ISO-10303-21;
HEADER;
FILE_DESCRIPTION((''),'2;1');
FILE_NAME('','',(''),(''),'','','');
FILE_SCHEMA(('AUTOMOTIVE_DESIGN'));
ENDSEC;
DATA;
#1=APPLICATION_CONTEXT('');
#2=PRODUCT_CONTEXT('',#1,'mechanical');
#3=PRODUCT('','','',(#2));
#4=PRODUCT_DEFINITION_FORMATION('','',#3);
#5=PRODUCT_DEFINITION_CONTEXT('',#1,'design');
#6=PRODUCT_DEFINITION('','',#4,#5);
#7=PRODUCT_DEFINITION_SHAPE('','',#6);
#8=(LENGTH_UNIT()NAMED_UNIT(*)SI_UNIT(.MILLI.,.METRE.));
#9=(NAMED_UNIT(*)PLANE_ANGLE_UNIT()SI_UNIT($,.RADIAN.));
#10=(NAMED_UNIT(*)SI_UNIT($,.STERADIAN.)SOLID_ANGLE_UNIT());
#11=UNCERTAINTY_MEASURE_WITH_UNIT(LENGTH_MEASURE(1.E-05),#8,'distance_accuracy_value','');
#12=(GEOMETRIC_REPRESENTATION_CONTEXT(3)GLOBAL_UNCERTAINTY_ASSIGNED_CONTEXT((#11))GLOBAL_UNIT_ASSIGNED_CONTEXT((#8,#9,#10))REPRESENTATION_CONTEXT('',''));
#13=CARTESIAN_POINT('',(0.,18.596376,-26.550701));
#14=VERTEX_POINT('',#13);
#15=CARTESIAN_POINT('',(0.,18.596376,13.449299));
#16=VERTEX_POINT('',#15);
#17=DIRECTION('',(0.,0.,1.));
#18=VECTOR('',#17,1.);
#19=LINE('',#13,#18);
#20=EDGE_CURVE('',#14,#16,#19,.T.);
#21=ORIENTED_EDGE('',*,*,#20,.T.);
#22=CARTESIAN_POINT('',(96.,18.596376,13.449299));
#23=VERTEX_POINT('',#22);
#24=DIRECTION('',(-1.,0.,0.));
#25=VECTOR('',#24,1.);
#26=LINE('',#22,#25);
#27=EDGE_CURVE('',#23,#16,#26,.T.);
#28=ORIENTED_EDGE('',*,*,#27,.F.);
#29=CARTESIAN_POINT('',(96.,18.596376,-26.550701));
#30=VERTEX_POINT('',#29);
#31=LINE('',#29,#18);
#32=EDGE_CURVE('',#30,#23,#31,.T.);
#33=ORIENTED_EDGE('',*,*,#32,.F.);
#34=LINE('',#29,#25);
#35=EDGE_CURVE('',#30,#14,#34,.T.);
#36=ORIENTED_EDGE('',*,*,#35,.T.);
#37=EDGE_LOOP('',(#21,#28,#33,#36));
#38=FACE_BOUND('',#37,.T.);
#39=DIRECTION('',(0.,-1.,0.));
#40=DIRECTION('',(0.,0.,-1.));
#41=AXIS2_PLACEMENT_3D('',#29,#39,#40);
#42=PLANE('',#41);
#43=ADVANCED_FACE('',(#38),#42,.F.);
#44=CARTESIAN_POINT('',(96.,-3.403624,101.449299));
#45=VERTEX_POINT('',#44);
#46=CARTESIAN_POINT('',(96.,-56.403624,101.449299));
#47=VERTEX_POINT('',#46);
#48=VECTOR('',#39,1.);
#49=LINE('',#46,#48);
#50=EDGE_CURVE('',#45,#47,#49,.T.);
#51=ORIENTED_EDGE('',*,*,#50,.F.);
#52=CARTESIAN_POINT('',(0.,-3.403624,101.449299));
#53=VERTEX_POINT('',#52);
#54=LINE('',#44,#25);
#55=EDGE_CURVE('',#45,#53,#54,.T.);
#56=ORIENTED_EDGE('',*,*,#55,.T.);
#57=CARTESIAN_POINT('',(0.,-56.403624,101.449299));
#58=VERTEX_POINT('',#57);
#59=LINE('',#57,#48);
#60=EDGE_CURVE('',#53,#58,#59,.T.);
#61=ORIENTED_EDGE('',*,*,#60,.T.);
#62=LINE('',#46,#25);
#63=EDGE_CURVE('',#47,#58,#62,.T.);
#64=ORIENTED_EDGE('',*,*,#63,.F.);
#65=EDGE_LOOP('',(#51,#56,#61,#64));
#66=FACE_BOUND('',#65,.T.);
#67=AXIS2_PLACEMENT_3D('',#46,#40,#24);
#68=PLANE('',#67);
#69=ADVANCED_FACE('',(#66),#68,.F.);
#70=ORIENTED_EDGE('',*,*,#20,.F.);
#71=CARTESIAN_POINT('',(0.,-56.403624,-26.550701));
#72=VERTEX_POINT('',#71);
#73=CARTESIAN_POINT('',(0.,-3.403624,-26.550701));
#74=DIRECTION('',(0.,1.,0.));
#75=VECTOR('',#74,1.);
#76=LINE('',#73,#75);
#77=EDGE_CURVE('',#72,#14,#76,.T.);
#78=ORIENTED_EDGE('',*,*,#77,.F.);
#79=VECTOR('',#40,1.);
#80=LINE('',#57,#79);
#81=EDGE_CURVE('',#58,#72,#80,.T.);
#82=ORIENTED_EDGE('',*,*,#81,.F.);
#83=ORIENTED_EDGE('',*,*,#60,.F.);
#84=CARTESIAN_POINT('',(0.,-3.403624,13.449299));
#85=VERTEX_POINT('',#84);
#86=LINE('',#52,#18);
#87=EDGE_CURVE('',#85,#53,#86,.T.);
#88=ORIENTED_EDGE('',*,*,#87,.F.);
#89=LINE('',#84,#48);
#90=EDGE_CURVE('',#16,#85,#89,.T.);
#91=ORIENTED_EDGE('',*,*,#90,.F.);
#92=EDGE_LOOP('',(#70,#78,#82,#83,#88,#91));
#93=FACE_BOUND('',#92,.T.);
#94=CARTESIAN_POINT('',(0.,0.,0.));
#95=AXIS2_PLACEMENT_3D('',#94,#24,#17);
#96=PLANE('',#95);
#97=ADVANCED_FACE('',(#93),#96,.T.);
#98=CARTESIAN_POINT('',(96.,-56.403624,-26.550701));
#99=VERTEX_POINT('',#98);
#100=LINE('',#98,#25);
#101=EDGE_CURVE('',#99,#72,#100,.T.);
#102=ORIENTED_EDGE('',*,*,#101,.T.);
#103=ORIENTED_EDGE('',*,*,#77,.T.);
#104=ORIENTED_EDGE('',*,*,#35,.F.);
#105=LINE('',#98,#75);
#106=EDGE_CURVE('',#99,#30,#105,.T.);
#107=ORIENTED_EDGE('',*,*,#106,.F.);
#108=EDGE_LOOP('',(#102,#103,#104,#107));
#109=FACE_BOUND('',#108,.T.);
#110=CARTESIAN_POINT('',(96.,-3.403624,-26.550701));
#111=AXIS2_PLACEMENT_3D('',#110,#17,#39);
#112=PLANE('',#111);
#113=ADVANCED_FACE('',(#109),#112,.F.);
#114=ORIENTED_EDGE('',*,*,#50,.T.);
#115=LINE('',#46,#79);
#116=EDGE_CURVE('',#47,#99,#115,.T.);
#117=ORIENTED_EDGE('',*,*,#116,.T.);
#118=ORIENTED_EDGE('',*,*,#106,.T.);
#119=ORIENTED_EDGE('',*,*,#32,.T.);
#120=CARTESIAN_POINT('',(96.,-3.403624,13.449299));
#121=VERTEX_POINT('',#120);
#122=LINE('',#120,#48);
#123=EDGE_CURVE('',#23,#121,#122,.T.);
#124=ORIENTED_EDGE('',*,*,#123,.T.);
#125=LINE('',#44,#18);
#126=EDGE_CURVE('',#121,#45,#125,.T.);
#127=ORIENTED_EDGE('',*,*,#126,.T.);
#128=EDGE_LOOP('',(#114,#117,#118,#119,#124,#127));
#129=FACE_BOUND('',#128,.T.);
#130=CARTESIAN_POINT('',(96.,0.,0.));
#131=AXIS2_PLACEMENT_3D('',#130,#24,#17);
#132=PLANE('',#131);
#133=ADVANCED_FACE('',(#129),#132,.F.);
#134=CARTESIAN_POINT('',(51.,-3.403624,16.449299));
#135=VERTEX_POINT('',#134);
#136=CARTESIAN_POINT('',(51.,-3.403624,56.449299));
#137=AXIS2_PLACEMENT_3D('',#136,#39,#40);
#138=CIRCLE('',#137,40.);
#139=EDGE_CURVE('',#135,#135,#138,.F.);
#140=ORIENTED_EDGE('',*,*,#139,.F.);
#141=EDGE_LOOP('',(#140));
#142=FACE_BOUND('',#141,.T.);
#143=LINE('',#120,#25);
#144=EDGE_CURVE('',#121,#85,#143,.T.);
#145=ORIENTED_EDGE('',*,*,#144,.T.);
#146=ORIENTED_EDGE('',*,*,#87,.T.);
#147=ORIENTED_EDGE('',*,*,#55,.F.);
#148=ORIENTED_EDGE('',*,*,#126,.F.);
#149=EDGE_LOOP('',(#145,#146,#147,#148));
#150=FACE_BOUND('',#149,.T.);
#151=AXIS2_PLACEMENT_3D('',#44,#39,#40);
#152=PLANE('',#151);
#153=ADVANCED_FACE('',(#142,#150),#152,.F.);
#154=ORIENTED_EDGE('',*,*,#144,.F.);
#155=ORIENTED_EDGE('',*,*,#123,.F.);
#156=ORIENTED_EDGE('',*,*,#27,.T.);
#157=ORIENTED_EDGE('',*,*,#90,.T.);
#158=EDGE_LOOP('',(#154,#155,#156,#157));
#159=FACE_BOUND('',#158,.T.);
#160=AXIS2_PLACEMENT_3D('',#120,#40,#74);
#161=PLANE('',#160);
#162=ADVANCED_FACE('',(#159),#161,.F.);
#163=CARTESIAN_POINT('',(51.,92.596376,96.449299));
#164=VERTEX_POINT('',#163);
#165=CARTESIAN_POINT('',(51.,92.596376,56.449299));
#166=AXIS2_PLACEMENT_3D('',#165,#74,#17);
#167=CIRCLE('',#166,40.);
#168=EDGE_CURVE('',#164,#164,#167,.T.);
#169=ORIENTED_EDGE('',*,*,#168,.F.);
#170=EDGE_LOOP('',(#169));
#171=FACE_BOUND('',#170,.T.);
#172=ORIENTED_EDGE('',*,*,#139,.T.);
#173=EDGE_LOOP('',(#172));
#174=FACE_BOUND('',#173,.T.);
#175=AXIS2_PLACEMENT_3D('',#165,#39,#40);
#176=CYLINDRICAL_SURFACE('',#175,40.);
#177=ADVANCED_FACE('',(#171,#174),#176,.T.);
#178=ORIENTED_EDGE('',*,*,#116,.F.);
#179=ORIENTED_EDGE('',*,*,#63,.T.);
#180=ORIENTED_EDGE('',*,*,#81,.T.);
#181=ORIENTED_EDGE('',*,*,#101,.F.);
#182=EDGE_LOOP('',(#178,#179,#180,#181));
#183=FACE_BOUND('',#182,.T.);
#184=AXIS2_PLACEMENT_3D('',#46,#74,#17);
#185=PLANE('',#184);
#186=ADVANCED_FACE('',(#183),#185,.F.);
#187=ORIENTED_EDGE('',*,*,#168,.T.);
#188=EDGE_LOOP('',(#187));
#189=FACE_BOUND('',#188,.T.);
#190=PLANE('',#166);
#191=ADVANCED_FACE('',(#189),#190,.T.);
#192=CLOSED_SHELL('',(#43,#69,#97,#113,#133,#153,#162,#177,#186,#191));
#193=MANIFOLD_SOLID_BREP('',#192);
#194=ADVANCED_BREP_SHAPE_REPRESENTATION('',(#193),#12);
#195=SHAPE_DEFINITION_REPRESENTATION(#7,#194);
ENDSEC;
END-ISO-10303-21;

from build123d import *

# Parameters (mm, degrees)
BOSS_EXTRUDE1_DEPTH = 96
SKETCH2_R           = 40
BOSS_EXTRUDE2_DEPTH = 96


with BuildPart() as part:
    # Sketch1 → Boss-Extrude1 (new body)
    with BuildSketch(Plane(origin=(0, 0, 0), x_dir=(0, 0, -1), z_dir=(1, 0, 0))):
        Polygon((-101.449299301, -56.403624436), (26.550700699, -56.403624436), (26.550700699, -3.403624436), (26.550700699, 18.596375564), (-13.449299301, 18.596375564), (-13.449299301, -3.403624436), (-101.449299301, -3.403624436), align=None)
    extrude(amount=BOSS_EXTRUDE1_DEPTH)

    # Sketch2 → Boss-Extrude2 (add)
    with BuildSketch(Plane(origin=(0, -3.403624436, 0), x_dir=(1, 0, 0), z_dir=(0, 1, 0))):
        with Locations((51, -56.449299301)):
            Circle(SKETCH2_R)
    extrude(amount=BOSS_EXTRUDE2_DEPTH)


solid = part.part
